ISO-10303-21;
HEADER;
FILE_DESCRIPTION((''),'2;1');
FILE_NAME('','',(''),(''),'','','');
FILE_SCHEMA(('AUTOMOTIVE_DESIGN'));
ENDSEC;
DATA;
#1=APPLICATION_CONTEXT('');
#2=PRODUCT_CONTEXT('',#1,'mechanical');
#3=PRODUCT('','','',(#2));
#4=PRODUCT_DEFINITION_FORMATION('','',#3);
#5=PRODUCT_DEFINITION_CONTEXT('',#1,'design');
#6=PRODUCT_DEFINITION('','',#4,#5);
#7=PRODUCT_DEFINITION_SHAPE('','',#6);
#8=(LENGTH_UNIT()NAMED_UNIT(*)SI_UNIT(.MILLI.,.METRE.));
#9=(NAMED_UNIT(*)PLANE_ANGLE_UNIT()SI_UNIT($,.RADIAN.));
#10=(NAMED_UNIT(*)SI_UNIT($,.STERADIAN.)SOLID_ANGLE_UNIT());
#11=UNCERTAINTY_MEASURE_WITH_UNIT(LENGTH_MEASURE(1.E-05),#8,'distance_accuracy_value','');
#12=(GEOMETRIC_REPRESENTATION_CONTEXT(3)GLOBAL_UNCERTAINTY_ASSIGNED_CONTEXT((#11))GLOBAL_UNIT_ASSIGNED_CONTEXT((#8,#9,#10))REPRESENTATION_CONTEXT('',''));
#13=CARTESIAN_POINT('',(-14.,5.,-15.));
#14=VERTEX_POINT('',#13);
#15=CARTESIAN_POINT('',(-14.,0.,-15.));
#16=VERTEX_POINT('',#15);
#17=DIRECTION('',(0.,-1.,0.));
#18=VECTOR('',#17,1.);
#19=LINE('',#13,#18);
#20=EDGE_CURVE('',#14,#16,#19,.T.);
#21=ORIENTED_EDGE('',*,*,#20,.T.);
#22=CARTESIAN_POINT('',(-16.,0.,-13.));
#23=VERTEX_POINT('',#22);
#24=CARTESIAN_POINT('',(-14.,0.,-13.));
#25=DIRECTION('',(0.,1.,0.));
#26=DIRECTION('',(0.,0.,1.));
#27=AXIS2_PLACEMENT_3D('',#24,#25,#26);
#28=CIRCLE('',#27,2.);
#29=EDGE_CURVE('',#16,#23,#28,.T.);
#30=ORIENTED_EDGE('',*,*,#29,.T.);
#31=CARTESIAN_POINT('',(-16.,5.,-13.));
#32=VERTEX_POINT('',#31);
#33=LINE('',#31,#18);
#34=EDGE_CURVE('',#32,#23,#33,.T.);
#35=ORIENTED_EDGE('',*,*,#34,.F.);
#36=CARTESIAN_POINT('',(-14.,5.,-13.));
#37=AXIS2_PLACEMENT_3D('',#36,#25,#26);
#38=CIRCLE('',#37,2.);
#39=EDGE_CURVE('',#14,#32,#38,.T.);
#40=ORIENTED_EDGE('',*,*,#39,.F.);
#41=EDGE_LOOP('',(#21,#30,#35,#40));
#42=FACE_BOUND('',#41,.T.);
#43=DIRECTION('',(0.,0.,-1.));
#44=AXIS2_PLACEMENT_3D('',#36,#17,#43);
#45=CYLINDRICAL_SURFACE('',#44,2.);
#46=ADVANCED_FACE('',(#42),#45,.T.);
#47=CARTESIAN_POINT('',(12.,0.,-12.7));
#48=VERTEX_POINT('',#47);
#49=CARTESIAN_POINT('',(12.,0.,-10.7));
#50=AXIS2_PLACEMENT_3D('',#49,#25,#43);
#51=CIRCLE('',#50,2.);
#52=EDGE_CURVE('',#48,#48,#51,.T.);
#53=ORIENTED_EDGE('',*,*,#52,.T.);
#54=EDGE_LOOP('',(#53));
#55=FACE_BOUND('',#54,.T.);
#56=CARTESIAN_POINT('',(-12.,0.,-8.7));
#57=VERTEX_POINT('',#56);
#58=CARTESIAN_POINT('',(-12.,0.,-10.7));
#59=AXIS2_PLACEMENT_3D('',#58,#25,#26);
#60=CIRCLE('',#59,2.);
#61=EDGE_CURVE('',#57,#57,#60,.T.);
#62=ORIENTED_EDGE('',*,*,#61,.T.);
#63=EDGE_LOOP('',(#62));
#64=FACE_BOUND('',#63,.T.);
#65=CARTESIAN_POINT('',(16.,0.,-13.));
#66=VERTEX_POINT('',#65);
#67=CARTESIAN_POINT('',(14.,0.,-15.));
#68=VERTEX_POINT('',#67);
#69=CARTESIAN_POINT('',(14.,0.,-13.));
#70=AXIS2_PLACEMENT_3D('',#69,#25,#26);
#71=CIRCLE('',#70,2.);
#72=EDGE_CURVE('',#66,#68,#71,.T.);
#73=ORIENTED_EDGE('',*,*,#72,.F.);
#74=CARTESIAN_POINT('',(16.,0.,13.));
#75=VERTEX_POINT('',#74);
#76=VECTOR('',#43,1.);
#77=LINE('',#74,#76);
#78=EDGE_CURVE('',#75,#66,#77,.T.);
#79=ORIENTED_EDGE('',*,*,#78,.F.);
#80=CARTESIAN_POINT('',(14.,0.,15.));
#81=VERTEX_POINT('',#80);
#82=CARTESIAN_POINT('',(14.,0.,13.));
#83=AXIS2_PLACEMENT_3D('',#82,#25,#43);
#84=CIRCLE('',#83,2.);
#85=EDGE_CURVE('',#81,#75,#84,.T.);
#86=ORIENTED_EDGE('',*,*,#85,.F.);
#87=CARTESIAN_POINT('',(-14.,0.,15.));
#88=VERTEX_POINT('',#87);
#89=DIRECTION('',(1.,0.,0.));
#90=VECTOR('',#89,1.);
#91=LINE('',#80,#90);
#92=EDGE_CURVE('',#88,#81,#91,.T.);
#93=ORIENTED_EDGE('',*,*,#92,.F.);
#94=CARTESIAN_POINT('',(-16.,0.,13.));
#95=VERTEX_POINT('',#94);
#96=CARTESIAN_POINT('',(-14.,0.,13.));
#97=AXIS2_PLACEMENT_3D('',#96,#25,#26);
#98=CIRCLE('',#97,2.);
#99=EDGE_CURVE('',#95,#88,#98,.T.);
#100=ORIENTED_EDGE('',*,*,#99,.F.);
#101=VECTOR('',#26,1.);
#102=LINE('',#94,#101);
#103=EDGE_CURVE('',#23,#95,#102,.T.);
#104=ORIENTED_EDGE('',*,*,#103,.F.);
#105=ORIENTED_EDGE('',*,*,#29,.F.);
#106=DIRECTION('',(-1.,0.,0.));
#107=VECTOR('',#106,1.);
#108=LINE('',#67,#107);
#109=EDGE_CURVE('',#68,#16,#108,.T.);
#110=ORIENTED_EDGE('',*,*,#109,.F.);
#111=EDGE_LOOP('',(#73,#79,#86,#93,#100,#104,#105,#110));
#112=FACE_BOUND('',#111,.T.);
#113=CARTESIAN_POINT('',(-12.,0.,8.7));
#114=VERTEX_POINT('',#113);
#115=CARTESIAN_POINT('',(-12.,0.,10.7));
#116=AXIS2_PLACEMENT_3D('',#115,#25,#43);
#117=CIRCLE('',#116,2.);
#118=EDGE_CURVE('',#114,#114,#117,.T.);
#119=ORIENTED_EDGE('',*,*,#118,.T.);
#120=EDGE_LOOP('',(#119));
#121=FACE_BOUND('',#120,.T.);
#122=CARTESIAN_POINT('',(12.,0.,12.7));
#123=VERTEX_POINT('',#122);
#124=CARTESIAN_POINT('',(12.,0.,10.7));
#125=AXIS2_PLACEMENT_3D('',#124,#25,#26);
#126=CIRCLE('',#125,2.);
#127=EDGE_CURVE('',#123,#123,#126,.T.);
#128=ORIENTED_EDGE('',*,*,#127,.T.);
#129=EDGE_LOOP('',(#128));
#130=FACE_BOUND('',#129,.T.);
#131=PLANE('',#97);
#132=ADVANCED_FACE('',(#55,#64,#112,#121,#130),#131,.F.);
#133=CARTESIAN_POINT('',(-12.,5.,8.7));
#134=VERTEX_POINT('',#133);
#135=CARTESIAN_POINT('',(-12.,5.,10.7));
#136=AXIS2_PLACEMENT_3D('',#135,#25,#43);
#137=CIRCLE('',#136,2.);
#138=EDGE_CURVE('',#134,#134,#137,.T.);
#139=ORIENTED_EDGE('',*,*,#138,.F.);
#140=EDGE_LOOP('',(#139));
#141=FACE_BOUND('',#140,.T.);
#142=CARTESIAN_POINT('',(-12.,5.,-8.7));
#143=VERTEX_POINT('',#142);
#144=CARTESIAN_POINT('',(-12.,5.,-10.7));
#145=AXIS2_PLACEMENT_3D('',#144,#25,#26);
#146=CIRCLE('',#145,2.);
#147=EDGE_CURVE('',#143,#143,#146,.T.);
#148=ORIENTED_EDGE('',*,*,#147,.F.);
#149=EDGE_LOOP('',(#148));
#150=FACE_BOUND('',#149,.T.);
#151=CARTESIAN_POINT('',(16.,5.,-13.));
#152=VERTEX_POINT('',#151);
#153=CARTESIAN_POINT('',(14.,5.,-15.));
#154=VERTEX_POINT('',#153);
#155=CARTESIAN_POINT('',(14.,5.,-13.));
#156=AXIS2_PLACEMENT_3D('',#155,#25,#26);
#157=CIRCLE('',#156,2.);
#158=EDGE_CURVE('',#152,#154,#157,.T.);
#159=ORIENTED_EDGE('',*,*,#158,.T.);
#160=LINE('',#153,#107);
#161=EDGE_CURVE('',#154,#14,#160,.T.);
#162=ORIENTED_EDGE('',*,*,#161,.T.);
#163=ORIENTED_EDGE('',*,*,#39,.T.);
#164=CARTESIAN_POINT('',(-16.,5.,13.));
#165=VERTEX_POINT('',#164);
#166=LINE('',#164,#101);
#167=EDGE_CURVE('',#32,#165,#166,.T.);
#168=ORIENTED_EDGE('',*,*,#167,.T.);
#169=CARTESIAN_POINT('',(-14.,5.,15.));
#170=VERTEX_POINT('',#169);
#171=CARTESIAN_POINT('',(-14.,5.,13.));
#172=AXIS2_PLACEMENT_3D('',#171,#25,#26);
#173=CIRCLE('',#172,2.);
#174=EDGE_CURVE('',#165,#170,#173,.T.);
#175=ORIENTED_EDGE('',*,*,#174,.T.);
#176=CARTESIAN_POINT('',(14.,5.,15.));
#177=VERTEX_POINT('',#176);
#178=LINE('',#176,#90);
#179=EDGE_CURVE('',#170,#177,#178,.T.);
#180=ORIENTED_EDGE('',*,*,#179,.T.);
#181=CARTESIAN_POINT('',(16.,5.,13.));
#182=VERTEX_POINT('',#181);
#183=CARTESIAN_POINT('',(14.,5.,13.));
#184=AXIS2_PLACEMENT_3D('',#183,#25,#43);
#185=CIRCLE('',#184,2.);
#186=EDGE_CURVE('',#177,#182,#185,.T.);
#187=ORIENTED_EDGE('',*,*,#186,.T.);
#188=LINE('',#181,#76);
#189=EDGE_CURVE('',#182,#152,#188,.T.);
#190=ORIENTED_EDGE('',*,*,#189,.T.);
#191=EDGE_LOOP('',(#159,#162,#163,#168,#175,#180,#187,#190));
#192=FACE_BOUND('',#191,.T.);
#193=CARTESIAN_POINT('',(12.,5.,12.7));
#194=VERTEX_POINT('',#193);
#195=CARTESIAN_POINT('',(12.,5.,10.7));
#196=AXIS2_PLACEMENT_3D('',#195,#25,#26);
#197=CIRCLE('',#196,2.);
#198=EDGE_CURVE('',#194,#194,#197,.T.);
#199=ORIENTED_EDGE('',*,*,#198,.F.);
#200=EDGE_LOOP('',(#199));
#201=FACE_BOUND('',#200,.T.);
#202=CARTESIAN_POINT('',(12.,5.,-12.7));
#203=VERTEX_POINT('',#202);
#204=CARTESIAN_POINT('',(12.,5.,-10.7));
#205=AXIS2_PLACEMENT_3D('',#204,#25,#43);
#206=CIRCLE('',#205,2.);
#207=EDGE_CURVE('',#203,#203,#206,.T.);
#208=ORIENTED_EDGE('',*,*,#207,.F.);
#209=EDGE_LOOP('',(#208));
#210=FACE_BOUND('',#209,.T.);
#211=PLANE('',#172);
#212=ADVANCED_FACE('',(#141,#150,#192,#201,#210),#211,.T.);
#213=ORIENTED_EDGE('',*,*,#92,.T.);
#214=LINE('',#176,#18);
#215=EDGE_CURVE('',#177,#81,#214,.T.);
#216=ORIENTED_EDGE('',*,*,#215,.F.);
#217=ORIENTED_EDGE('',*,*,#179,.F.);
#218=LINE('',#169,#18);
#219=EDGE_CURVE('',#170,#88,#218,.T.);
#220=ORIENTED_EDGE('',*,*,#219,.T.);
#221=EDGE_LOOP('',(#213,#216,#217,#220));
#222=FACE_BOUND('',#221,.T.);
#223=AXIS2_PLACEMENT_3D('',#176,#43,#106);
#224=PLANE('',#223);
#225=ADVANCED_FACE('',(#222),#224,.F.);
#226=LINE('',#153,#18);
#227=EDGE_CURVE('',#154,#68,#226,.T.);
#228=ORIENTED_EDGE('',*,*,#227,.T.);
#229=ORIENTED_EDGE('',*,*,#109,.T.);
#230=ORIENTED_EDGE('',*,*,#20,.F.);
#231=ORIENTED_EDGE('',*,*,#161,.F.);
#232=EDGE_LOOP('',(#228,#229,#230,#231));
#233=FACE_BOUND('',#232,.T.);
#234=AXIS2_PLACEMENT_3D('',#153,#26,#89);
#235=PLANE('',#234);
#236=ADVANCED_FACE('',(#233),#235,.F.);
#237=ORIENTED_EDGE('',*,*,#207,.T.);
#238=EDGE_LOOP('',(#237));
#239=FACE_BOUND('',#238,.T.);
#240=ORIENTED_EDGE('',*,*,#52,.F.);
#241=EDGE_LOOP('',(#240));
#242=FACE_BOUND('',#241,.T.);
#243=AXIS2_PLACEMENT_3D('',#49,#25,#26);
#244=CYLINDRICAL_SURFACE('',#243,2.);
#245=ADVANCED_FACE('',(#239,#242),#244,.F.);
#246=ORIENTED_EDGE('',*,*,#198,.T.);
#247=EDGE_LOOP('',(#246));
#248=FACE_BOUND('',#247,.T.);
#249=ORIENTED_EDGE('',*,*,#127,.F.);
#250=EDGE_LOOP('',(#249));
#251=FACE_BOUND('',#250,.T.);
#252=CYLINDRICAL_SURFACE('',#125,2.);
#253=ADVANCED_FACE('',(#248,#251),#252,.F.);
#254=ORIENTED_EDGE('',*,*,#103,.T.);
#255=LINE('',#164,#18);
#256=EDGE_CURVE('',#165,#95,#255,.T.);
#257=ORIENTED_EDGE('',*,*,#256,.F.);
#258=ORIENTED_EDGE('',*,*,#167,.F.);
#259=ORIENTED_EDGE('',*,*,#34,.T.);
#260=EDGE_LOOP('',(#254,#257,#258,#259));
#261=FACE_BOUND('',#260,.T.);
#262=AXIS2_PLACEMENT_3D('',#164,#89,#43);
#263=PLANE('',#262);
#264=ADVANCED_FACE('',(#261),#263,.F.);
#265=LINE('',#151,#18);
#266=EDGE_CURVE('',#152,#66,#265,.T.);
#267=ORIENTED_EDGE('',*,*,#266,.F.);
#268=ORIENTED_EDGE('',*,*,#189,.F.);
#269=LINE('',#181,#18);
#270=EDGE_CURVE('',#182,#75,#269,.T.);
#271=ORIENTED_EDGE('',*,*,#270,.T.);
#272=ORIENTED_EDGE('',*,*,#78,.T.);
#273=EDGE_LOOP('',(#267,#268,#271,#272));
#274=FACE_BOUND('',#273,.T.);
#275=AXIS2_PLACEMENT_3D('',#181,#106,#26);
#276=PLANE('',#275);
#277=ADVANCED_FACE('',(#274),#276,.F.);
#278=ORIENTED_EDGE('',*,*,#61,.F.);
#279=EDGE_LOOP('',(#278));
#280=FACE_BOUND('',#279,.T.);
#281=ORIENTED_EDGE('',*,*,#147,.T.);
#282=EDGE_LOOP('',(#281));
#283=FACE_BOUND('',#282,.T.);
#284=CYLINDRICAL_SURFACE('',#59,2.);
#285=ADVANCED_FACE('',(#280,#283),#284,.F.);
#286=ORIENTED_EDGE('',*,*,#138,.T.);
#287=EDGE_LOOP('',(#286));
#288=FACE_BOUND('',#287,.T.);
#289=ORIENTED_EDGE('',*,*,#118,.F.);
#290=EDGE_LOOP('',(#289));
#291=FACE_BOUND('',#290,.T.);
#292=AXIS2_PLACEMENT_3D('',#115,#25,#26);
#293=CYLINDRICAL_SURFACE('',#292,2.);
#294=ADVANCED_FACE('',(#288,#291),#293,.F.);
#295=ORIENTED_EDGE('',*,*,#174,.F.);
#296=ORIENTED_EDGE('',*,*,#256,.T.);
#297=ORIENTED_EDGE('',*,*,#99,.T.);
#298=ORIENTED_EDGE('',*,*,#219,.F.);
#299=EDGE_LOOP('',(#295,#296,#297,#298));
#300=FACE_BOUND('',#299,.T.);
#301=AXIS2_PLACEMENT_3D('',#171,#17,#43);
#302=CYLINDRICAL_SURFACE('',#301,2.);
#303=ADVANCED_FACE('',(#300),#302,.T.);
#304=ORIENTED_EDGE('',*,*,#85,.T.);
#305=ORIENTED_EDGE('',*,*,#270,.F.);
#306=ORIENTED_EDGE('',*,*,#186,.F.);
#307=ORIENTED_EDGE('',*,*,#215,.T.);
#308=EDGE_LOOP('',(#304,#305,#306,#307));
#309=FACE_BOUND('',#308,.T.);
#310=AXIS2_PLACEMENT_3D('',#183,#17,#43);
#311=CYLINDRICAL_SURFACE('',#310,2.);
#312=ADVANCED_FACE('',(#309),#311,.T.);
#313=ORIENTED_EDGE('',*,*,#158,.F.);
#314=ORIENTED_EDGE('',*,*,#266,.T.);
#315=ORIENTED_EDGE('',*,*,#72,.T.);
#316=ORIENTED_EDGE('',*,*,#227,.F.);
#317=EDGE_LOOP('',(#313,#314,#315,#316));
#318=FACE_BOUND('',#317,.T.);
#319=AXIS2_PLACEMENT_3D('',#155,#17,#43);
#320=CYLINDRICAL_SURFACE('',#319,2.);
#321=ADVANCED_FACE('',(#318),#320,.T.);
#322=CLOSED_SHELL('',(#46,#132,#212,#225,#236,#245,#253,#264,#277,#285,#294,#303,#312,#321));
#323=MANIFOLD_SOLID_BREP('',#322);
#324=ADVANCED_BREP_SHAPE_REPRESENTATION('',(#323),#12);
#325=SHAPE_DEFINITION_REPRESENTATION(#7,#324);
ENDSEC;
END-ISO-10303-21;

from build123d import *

# Parameters (mm, degrees)
EXTRUDE_5_DEPTH    = 5
SKETCH2_R          = 2
CUT_EXTRUDE1_DEPTH = 5


with BuildPart() as part:
    # Sketch1 → Extrude 5 (new body)
    with BuildSketch(Plane(origin=(0, 0, 0), x_dir=(1, 0, 0), z_dir=(0, 1, 0))):
        with BuildLine():
            Line((14, -15), (-14, -15))
            ThreePointArc((-14, -15), (-15.414213562, -14.414213562), (-16, -13))
            Line((-16, -13), (-16, 13))
            ThreePointArc((-16, 13), (-15.414213562, 14.414213562), (-14, 15))
            Line((-14, 15), (14, 15))
            ThreePointArc((14, 15), (15.414213562, 14.414213562), (16, 13))
            Line((16, 13), (16, -13))
            ThreePointArc((16, -13), (15.414213562, -14.414213562), (14, -15))
        make_face()
    extrude(amount=EXTRUDE_5_DEPTH)

    # Sketch2 → Cut-Extrude1 (cut)
    with BuildSketch(Plane(origin=(0, 5, 0), x_dir=(1, 0, 0), z_dir=(0, 1, 0))):
        with Locations((-12, 10.7)):
            Circle(SKETCH2_R)
        with Locations((12, 10.7)):
            Circle(SKETCH2_R)
        with Locations((12, -10.7)):
            Circle(SKETCH2_R)
        with Locations((-12, -10.7)):
            Circle(SKETCH2_R)
    extrude(amount=-CUT_EXTRUDE1_DEPTH, mode=Mode.SUBTRACT)


solid = part.part
